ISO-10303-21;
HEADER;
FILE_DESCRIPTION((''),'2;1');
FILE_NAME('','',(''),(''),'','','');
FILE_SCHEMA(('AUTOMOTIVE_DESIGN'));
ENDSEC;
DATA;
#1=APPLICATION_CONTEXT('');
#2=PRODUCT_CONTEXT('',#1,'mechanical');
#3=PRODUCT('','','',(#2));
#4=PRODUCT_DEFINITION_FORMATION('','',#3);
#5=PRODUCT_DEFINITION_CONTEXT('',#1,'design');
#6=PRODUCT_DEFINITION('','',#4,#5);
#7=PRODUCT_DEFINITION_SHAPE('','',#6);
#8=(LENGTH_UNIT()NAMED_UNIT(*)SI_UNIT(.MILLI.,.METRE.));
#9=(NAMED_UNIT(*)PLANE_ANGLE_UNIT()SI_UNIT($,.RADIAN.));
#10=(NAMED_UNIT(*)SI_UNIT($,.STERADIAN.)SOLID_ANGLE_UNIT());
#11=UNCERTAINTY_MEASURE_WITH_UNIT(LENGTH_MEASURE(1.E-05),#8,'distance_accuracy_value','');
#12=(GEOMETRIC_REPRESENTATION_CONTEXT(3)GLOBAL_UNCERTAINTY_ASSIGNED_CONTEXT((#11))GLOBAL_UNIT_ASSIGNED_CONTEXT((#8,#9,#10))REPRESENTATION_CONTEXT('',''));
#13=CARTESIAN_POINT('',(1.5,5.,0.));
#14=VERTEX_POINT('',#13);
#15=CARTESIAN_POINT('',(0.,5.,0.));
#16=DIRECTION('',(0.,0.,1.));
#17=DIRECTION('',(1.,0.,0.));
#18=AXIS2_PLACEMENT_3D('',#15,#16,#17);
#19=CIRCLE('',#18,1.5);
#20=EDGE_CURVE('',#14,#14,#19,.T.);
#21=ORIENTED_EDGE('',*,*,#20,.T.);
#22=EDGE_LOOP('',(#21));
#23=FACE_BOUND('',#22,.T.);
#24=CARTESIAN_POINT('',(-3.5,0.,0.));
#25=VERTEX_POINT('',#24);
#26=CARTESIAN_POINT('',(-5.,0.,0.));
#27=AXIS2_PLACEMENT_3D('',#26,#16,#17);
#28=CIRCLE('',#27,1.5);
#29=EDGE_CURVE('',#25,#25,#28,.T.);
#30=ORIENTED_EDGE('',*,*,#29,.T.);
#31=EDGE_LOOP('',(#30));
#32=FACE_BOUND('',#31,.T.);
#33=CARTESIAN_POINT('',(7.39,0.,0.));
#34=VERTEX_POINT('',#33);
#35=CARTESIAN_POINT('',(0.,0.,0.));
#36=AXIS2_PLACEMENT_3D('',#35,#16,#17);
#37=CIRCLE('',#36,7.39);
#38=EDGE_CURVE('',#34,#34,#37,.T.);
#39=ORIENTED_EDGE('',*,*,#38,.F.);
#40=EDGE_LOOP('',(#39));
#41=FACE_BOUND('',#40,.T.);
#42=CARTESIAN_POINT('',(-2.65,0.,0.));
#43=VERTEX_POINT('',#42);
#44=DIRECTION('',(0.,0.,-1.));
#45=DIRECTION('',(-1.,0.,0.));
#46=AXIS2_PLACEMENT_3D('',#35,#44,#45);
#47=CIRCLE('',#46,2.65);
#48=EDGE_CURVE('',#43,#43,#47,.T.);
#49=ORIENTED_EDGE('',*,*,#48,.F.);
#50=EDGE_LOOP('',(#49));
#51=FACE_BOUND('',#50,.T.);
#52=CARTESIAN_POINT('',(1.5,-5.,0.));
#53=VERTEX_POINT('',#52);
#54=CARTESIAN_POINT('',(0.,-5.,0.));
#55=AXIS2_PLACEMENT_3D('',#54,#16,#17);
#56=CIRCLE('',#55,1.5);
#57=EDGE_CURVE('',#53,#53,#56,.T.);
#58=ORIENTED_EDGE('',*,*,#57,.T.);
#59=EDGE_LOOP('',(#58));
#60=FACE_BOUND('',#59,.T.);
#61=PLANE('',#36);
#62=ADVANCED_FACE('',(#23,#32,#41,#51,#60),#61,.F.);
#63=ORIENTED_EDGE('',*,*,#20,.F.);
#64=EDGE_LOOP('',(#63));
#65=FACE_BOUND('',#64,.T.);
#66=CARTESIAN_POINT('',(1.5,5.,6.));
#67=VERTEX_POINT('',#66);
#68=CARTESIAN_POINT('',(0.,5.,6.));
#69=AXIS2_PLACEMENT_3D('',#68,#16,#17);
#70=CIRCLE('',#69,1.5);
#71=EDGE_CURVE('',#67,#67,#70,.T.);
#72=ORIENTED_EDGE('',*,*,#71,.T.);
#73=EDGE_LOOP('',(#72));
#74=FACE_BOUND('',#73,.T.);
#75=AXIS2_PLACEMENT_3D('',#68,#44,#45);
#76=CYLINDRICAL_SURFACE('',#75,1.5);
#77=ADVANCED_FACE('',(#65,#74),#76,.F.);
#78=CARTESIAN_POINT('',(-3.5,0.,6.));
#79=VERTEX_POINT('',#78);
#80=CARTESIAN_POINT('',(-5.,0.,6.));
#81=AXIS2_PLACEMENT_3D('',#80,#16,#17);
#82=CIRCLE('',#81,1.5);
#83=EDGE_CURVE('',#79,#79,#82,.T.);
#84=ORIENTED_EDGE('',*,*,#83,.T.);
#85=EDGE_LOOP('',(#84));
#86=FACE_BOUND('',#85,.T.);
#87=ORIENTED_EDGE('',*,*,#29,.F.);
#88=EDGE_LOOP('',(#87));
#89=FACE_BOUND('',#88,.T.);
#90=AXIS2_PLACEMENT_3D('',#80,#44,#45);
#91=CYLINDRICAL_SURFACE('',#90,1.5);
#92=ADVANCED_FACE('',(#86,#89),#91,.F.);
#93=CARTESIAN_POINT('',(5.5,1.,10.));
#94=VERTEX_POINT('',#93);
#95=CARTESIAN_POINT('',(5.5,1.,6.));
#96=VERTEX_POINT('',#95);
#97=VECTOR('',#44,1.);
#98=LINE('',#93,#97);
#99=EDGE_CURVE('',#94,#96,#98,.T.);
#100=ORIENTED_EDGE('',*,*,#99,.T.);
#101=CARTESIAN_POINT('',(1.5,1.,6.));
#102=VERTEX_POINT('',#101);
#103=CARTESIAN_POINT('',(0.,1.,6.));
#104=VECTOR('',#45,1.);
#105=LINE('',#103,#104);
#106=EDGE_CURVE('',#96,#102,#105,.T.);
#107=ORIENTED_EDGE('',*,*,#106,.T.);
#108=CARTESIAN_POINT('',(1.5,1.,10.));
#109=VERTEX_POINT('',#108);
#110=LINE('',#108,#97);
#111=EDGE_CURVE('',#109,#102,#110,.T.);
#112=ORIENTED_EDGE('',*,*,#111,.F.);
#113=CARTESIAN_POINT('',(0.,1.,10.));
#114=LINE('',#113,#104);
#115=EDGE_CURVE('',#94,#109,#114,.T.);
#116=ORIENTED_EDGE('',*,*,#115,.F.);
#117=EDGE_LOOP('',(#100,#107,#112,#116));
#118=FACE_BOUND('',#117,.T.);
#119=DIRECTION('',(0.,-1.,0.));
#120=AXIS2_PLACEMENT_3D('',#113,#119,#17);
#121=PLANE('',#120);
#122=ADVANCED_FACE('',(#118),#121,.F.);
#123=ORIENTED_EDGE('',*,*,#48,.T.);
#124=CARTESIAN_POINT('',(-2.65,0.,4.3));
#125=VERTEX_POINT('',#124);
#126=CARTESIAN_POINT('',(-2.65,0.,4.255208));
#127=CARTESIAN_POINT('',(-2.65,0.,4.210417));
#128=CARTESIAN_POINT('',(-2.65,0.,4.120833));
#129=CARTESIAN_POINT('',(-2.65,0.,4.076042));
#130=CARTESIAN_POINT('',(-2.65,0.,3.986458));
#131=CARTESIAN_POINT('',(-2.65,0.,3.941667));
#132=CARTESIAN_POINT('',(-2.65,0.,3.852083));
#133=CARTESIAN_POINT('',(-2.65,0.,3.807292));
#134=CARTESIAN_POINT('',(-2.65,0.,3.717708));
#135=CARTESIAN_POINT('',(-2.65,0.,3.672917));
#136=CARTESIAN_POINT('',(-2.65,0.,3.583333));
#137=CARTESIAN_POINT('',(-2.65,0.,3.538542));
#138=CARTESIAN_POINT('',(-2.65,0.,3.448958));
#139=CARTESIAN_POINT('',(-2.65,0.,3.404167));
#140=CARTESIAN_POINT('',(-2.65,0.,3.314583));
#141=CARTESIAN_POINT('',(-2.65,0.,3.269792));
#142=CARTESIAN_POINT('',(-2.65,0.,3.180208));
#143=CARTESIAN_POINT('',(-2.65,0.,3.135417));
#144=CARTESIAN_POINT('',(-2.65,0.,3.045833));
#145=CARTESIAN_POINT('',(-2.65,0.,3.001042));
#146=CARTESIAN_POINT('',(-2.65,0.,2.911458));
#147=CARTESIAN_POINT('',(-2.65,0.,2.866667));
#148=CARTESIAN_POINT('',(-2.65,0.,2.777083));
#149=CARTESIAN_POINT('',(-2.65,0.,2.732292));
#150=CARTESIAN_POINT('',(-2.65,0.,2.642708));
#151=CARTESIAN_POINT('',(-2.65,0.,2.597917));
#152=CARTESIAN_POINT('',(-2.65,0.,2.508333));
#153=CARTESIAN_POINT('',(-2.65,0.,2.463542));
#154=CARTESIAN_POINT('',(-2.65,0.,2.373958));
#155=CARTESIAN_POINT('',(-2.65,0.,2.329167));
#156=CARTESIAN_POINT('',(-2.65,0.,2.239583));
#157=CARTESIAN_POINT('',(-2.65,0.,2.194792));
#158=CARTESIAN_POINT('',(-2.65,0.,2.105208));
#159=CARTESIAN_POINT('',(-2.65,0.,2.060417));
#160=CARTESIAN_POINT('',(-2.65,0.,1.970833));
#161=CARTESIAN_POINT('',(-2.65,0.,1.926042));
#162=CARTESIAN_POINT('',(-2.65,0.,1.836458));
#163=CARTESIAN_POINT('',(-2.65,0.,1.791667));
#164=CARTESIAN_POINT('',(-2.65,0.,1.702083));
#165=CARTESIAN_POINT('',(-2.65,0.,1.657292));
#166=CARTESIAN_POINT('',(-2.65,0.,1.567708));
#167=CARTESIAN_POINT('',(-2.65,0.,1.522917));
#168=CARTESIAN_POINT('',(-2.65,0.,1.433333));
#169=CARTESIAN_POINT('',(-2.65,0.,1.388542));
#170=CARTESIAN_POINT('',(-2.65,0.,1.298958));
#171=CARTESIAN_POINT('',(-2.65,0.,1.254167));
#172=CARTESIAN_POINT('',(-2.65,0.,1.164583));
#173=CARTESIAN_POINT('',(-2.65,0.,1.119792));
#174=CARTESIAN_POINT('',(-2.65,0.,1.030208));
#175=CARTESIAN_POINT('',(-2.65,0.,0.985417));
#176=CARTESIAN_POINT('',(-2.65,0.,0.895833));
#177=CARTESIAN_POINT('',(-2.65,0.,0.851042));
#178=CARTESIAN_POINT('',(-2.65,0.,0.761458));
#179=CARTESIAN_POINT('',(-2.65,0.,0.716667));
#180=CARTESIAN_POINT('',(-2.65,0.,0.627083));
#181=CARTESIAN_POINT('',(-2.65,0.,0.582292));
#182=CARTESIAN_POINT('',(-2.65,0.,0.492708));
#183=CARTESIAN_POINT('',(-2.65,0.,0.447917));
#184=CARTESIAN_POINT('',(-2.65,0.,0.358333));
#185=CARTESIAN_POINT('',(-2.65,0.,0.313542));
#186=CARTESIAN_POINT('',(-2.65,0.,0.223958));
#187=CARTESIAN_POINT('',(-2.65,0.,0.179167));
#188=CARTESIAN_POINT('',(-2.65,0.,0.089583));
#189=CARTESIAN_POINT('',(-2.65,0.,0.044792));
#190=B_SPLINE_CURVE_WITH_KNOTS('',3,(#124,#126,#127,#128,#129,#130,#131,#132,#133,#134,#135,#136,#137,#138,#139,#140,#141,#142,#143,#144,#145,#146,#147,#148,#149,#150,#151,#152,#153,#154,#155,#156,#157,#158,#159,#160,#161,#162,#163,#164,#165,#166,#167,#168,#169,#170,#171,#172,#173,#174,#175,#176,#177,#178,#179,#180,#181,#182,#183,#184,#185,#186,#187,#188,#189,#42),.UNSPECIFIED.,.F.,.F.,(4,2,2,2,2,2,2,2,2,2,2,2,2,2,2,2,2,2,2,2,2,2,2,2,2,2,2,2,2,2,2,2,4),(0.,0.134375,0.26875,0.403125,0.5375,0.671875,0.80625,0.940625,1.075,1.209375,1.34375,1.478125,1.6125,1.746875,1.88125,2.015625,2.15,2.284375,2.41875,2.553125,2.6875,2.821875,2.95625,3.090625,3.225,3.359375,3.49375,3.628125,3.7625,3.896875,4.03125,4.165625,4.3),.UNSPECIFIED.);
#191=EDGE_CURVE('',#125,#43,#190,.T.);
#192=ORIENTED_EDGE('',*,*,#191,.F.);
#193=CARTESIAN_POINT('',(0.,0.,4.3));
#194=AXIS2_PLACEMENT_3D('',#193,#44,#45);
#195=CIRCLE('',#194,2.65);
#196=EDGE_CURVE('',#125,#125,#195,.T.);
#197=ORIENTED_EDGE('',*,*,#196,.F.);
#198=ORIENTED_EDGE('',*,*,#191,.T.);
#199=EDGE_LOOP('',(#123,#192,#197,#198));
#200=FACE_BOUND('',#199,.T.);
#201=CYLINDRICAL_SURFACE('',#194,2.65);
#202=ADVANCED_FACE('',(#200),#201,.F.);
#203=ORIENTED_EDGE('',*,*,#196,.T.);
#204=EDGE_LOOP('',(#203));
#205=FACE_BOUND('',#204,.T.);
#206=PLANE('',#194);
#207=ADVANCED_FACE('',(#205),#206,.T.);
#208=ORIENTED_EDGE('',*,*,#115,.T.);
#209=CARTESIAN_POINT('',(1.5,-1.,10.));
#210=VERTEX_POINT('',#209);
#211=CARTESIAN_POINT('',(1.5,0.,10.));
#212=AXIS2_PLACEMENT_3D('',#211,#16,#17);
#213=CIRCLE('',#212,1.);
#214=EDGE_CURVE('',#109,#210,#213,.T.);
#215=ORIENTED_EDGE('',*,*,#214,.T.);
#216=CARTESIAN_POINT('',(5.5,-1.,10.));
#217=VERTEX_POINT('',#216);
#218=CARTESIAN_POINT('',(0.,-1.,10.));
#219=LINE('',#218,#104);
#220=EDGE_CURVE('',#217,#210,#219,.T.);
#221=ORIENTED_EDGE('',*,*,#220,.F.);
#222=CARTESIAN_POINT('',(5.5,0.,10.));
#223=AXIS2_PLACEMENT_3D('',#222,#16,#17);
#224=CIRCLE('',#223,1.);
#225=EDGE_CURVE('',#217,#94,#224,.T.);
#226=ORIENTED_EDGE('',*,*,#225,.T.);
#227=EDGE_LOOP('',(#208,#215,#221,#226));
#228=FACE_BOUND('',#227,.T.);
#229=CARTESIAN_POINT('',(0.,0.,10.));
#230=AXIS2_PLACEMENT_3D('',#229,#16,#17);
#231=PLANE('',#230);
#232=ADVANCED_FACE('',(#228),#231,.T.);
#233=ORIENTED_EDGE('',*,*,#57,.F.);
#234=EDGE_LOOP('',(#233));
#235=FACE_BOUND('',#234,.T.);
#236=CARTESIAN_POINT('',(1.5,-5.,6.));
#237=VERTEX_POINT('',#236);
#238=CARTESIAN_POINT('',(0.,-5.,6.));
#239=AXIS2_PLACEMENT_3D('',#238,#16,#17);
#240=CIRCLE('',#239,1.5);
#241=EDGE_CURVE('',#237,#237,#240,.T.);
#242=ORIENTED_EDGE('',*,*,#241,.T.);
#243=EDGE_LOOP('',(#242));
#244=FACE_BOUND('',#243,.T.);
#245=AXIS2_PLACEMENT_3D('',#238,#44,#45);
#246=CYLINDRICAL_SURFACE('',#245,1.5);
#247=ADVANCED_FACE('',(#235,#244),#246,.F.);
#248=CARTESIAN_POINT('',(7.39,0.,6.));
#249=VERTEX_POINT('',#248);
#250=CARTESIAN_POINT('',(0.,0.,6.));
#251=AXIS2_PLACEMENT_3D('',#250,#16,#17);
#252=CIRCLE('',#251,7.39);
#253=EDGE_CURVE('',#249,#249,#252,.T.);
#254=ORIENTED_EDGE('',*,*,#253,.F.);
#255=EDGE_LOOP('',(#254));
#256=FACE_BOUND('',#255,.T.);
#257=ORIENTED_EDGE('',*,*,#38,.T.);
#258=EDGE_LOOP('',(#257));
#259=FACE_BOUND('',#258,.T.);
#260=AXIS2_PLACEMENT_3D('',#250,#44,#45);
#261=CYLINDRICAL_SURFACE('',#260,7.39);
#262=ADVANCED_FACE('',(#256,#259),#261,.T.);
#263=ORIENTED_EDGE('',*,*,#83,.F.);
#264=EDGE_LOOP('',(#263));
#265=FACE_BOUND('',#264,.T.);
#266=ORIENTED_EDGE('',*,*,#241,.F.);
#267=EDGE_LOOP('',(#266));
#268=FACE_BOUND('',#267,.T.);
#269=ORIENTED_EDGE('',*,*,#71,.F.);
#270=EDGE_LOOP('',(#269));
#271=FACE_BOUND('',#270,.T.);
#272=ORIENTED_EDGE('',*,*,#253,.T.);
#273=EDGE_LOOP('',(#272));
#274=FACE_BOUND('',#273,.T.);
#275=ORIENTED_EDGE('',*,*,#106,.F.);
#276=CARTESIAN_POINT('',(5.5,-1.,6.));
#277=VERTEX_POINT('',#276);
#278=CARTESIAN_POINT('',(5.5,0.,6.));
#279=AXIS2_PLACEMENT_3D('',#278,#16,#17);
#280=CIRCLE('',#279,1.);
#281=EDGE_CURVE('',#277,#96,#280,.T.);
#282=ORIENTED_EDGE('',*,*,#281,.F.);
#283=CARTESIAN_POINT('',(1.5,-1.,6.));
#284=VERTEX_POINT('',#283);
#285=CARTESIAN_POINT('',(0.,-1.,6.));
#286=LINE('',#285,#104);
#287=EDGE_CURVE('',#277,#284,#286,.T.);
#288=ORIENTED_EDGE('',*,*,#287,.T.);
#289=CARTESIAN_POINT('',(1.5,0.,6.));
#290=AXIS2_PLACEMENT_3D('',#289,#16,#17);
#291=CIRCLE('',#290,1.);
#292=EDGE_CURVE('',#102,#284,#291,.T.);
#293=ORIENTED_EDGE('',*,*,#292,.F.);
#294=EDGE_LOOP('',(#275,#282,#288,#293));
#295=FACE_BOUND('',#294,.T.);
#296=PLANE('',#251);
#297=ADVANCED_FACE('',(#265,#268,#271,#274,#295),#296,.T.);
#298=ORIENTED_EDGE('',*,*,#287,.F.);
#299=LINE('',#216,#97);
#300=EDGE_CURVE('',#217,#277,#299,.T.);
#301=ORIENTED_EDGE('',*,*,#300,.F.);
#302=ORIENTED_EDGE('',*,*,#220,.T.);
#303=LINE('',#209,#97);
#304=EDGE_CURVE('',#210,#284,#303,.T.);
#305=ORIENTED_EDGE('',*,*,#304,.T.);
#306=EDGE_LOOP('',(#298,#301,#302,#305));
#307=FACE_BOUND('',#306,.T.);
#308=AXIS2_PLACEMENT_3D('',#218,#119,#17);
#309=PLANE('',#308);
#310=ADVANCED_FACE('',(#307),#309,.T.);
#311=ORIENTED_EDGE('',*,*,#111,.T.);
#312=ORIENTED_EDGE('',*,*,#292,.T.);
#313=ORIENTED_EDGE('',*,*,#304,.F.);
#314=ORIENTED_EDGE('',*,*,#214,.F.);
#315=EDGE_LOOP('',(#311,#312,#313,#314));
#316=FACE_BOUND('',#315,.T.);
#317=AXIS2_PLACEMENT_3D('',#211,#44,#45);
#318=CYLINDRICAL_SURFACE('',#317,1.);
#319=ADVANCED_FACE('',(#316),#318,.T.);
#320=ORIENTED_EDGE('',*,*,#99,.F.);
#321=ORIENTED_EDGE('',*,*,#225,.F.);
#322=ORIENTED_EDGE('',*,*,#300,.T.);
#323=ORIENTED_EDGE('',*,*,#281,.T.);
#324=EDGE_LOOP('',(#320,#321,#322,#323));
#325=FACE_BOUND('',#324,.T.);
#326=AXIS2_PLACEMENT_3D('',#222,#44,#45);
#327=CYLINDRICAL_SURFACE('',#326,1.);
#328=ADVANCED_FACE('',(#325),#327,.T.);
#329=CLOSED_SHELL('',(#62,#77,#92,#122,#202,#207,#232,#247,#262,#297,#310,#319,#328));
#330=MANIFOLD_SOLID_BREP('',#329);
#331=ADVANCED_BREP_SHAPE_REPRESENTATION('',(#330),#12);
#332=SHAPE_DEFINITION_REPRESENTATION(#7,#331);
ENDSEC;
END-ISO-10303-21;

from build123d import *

# Parameters (mm, degrees)
SKETCH1_R           = 7.39
SKETCH1_R_2         = 1.5
BOSS_EXTRUDE1_DEPTH = 6
BOSS_EXTRUDE2_DEPTH = 10
SKETCH2_R           = 2.65
CUT_EXTRUDE1_DEPTH  = 4.3


with BuildPart() as part:
    # Sketch1 → Boss-Extrude1 (new body)
    with BuildSketch(Plane.XY):
        Circle(SKETCH1_R)
        with Locations((-5, 0)):
            Circle(SKETCH1_R_2, mode=Mode.SUBTRACT)
        with Locations((0, -5)):
            Circle(SKETCH1_R_2, mode=Mode.SUBTRACT)
        with BuildLine():
            ThreePointArc((5.5, 1), (6.5, 0), (5.5, -1))
            Line((5.5, -1), (1.5, -1))
            ThreePointArc((1.5, -1), (0.5, 0), (1.5, 1))
            Line((1.5, 1), (5.5, 1))
        make_face(mode=Mode.SUBTRACT)
        with Locations((0, 5)):
            Circle(SKETCH1_R_2, mode=Mode.SUBTRACT)
    extrude(amount=BOSS_EXTRUDE1_DEPTH)

    # Sketch1<3> → Boss-Extrude2 (add)
    with BuildSketch(Plane.XY):
        with BuildLine():
            Line((1.5, -1), (5.5, -1))
            ThreePointArc((5.5, -1), (6.5, 0), (5.5, 1))
            Line((5.5, 1), (1.5, 1))
            ThreePointArc((1.5, 1), (0.5, 0), (1.5, -1))
        make_face()
    extrude(amount=BOSS_EXTRUDE2_DEPTH)

    # Sketch2 → Cut-Extrude1 (cut)
    with BuildSketch(Plane(origin=(0, 0, 0), x_dir=(-1, 0, 0), z_dir=(0, 0, -1))):
        Circle(SKETCH2_R)
    extrude(amount=-CUT_EXTRUDE1_DEPTH, mode=Mode.SUBTRACT)


solid = part.part
